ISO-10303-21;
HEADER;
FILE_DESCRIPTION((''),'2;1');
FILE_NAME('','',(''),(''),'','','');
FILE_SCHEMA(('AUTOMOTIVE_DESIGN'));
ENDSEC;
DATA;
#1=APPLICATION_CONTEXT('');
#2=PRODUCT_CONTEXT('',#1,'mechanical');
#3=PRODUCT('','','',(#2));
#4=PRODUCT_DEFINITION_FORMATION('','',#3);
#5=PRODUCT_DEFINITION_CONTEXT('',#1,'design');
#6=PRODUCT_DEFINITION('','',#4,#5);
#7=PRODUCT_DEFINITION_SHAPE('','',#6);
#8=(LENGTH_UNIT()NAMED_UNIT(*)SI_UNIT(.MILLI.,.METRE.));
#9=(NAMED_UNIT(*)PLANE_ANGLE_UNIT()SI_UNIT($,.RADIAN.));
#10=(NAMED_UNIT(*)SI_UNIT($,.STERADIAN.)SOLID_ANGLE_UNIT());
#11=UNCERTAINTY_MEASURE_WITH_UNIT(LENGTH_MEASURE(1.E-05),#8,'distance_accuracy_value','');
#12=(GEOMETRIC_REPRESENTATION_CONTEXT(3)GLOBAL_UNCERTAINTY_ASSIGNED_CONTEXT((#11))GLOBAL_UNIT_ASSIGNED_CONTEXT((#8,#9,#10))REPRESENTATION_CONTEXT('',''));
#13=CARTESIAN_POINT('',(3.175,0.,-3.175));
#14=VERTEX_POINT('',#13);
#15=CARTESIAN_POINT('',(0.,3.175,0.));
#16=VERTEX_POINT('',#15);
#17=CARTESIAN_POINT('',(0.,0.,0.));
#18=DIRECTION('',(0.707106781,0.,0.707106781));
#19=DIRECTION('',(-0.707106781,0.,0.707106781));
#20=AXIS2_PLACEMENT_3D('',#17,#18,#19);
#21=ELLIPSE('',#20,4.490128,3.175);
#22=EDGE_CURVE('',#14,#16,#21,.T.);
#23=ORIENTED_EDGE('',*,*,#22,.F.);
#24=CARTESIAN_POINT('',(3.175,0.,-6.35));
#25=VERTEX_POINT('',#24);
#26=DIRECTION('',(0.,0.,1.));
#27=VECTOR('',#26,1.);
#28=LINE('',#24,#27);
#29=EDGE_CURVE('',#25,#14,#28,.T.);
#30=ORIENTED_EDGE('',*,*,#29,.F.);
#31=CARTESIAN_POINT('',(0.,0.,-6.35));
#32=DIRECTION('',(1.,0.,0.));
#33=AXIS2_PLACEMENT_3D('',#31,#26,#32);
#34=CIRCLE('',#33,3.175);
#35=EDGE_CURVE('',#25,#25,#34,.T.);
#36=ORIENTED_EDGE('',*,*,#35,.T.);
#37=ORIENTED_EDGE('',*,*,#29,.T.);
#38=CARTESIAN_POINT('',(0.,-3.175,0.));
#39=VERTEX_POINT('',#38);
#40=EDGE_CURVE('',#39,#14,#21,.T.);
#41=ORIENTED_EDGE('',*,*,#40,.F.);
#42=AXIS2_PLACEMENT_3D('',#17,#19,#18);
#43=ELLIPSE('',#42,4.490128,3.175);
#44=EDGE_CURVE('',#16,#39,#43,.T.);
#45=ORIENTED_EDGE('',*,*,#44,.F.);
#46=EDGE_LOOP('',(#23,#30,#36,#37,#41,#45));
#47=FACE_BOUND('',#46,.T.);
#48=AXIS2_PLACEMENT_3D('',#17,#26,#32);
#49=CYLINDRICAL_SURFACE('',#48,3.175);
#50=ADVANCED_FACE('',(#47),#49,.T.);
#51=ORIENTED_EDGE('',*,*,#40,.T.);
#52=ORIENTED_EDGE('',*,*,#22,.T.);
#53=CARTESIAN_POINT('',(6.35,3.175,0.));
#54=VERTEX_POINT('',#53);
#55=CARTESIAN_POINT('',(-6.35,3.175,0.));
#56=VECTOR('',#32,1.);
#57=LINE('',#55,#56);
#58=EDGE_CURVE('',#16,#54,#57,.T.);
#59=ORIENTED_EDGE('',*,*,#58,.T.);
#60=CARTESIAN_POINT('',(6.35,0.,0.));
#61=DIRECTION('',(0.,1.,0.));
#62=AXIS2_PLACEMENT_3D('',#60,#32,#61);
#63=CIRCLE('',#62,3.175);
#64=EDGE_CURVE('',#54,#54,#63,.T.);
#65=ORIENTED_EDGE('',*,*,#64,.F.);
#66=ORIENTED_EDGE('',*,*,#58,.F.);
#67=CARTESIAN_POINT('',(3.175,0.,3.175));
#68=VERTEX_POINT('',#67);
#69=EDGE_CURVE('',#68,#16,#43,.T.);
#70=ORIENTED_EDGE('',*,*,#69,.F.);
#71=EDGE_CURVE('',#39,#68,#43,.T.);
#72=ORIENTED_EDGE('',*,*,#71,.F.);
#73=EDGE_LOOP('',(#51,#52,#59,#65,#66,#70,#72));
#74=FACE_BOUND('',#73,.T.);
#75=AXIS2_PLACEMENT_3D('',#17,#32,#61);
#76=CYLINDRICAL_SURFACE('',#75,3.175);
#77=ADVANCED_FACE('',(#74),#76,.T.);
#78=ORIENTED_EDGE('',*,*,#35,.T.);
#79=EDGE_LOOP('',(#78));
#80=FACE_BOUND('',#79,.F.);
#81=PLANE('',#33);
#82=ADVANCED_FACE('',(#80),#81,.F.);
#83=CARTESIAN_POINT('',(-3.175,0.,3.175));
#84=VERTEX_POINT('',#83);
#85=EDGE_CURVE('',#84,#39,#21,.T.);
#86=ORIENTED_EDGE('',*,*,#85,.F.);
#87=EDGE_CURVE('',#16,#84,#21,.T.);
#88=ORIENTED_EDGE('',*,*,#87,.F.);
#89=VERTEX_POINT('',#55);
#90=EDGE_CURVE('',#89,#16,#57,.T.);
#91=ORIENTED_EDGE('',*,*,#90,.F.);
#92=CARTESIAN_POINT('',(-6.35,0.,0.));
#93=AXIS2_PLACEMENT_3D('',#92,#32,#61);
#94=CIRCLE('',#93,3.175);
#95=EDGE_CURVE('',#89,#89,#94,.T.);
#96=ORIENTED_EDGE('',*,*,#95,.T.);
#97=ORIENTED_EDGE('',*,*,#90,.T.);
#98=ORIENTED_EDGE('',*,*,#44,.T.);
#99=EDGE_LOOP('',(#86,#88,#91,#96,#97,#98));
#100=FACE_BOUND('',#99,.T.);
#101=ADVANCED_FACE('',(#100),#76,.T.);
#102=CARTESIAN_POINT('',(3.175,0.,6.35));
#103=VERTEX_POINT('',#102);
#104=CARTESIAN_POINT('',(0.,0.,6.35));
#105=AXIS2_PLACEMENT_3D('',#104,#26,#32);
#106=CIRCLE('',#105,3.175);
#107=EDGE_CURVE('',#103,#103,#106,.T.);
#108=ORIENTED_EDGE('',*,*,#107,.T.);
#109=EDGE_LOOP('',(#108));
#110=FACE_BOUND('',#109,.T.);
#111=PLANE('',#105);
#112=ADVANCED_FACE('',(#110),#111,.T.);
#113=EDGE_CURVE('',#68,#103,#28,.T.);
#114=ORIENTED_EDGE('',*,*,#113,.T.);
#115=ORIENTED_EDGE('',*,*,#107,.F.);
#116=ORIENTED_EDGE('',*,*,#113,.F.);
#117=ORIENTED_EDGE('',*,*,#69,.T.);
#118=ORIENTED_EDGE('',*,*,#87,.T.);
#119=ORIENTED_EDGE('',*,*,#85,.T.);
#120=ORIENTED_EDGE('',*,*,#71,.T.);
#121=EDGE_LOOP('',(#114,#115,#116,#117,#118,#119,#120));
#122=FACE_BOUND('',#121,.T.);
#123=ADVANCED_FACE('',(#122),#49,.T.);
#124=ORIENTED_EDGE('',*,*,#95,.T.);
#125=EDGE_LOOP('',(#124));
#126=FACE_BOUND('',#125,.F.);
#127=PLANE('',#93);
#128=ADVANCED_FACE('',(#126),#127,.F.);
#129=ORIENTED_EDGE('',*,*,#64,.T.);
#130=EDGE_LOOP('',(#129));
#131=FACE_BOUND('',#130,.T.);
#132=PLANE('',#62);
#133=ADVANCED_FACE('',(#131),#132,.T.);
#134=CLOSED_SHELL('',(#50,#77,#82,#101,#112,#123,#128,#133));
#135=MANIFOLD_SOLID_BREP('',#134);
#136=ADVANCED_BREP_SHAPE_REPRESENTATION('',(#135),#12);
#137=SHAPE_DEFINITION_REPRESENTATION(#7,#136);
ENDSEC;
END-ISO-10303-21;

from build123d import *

# Parameters (mm, degrees)
F0_R     = 3.175
F1_DEPTH = 6.35
F2_R     = 3.175
F3_DEPTH = 6.35


with BuildPart() as f1:
    # F0 (on Top) → F1 (new body, symmetric)
    with BuildSketch(Plane.XY):
        Circle(F0_R)
    extrude(amount=F1_DEPTH, both=True)

    # F2 (on Right) → F3 (join, symmetric)
    with BuildSketch(Plane.YZ):
        Circle(F2_R)
    extrude(amount=F3_DEPTH, both=True)


solid = f1.part
